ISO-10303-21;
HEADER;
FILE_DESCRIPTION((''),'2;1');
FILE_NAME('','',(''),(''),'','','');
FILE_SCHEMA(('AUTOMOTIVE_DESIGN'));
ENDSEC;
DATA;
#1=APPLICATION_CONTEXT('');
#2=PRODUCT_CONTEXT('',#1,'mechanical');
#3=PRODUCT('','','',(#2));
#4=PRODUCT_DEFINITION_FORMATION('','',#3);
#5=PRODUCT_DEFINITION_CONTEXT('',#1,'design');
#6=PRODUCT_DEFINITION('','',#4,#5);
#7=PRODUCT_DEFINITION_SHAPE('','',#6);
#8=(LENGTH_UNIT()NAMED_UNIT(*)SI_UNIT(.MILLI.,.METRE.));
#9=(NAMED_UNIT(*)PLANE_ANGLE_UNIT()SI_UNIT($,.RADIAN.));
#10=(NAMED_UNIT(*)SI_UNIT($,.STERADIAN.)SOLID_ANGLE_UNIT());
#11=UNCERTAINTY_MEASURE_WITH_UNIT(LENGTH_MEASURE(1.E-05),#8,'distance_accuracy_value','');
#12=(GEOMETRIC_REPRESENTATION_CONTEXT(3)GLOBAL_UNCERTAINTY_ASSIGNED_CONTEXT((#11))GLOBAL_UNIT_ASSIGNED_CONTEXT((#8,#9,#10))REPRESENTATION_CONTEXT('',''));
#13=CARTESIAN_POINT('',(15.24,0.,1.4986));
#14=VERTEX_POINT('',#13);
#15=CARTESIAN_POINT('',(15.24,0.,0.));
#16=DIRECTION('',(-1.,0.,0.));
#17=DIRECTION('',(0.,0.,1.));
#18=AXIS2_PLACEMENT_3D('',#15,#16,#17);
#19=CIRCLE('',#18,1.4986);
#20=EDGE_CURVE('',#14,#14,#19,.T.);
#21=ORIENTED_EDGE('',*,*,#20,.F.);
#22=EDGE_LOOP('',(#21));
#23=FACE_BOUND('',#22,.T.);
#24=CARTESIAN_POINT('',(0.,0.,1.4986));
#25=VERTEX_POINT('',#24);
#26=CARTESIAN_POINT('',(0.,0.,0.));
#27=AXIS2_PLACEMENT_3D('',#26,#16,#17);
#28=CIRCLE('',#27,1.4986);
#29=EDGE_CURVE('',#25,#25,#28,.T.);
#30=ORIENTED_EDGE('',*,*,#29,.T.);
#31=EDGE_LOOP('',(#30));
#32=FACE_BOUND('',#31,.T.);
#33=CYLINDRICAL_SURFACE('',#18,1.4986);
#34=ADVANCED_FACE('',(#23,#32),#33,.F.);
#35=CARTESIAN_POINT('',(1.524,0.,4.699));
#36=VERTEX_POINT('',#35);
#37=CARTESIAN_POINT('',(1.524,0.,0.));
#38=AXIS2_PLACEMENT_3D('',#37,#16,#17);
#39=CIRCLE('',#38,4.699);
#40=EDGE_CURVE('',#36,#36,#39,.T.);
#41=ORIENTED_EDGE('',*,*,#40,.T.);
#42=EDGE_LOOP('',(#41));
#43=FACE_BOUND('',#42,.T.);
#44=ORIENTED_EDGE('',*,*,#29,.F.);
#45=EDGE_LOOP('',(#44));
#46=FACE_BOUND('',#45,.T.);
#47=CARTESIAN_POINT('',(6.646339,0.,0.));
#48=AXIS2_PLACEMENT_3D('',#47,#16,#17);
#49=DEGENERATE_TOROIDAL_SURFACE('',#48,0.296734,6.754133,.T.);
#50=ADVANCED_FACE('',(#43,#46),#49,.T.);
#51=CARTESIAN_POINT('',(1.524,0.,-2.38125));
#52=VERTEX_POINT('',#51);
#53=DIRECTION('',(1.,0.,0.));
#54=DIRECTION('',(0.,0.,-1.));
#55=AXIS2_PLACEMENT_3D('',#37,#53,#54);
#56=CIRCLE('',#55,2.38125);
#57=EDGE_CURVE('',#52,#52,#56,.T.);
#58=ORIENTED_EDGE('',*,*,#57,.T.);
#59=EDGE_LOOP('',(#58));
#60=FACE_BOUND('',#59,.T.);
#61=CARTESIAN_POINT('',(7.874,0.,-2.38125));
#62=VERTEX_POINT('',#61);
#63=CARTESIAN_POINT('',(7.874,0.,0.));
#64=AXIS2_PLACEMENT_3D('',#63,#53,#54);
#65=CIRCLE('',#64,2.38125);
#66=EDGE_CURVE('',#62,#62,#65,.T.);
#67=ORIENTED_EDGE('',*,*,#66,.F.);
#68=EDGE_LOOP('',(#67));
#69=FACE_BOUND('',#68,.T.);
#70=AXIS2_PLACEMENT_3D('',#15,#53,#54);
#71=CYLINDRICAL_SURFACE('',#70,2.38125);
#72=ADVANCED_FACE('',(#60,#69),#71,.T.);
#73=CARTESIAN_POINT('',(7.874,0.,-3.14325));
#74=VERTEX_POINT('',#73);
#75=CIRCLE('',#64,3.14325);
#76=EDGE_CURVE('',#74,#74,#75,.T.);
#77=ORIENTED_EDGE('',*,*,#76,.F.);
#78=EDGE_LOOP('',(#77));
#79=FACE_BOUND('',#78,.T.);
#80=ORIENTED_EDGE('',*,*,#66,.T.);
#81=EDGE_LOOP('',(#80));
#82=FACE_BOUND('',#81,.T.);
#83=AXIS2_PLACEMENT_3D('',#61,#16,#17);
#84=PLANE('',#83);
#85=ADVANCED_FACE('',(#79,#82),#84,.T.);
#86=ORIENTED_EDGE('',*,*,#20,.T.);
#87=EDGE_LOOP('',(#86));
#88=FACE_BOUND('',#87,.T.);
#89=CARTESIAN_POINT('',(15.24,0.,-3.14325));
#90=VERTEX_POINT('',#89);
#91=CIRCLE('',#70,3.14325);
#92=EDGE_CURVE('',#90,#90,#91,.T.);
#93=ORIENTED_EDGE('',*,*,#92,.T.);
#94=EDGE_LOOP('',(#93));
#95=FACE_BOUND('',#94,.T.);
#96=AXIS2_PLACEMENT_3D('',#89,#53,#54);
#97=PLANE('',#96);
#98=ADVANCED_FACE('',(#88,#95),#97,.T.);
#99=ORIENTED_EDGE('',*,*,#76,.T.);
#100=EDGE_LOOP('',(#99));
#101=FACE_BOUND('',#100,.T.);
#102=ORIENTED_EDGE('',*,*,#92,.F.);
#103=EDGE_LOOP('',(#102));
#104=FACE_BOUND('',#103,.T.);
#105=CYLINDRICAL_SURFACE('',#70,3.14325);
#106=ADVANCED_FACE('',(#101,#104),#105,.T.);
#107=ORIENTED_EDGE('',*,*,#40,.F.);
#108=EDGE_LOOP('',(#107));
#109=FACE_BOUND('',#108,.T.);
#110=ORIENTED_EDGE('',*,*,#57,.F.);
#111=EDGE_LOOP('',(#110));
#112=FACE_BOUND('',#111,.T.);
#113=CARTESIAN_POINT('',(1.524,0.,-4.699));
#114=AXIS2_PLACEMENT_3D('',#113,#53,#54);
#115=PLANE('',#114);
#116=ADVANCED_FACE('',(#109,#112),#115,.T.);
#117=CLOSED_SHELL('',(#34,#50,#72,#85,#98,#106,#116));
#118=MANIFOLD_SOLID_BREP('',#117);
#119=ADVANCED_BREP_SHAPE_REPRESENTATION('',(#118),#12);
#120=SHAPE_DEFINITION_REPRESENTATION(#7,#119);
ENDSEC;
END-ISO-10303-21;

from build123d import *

# Parameters (mm, degrees)
SKETCH2_R         = 1.4986
CENTER_HOLE_DEPTH = 16.24


with BuildPart() as part:
    # Sketch1 → Revolve1 (revolve)
    with BuildSketch(Plane(origin=(0, 0, 0), x_dir=(1, 0, 0), z_dir=(0, 1, 0))):
        Polygon((0, 0), (0, 4.699), (1.524, 4.699), (1.524, 2.38125), (7.874, 2.38125), (7.874, 3.14325), (15.24, 3.14325), (15.24, 0), align=None)
    revolve(axis=Axis((15.24, 0, 0), (-1, 0, 0)))

    # Sketch2 → Center-Hole (cut, through all)
    with BuildSketch(Plane.ZY):
        Circle(SKETCH2_R)
    extrude(amount=-CENTER_HOLE_DEPTH, mode=Mode.SUBTRACT)

    # Sketch3 → Cut-Revolve1 (revolve, cut)
    with BuildSketch(Plane(origin=(0, 0, 0), x_dir=(1, 0, 0), z_dir=(0, 1, 0))):
        with BuildLine():
            Line((1.524, 4.699), (0, 4.699))
            Line((0, 4.699), (0, 1.4986))
            ThreePointArc((0, 1.4986), (0.548299529, 3.200562129), (1.524, 4.699))
        make_face()
    revolve(axis=Axis((0, 0, 0), (1, 0, 0)), mode=Mode.SUBTRACT)


solid = part.part
